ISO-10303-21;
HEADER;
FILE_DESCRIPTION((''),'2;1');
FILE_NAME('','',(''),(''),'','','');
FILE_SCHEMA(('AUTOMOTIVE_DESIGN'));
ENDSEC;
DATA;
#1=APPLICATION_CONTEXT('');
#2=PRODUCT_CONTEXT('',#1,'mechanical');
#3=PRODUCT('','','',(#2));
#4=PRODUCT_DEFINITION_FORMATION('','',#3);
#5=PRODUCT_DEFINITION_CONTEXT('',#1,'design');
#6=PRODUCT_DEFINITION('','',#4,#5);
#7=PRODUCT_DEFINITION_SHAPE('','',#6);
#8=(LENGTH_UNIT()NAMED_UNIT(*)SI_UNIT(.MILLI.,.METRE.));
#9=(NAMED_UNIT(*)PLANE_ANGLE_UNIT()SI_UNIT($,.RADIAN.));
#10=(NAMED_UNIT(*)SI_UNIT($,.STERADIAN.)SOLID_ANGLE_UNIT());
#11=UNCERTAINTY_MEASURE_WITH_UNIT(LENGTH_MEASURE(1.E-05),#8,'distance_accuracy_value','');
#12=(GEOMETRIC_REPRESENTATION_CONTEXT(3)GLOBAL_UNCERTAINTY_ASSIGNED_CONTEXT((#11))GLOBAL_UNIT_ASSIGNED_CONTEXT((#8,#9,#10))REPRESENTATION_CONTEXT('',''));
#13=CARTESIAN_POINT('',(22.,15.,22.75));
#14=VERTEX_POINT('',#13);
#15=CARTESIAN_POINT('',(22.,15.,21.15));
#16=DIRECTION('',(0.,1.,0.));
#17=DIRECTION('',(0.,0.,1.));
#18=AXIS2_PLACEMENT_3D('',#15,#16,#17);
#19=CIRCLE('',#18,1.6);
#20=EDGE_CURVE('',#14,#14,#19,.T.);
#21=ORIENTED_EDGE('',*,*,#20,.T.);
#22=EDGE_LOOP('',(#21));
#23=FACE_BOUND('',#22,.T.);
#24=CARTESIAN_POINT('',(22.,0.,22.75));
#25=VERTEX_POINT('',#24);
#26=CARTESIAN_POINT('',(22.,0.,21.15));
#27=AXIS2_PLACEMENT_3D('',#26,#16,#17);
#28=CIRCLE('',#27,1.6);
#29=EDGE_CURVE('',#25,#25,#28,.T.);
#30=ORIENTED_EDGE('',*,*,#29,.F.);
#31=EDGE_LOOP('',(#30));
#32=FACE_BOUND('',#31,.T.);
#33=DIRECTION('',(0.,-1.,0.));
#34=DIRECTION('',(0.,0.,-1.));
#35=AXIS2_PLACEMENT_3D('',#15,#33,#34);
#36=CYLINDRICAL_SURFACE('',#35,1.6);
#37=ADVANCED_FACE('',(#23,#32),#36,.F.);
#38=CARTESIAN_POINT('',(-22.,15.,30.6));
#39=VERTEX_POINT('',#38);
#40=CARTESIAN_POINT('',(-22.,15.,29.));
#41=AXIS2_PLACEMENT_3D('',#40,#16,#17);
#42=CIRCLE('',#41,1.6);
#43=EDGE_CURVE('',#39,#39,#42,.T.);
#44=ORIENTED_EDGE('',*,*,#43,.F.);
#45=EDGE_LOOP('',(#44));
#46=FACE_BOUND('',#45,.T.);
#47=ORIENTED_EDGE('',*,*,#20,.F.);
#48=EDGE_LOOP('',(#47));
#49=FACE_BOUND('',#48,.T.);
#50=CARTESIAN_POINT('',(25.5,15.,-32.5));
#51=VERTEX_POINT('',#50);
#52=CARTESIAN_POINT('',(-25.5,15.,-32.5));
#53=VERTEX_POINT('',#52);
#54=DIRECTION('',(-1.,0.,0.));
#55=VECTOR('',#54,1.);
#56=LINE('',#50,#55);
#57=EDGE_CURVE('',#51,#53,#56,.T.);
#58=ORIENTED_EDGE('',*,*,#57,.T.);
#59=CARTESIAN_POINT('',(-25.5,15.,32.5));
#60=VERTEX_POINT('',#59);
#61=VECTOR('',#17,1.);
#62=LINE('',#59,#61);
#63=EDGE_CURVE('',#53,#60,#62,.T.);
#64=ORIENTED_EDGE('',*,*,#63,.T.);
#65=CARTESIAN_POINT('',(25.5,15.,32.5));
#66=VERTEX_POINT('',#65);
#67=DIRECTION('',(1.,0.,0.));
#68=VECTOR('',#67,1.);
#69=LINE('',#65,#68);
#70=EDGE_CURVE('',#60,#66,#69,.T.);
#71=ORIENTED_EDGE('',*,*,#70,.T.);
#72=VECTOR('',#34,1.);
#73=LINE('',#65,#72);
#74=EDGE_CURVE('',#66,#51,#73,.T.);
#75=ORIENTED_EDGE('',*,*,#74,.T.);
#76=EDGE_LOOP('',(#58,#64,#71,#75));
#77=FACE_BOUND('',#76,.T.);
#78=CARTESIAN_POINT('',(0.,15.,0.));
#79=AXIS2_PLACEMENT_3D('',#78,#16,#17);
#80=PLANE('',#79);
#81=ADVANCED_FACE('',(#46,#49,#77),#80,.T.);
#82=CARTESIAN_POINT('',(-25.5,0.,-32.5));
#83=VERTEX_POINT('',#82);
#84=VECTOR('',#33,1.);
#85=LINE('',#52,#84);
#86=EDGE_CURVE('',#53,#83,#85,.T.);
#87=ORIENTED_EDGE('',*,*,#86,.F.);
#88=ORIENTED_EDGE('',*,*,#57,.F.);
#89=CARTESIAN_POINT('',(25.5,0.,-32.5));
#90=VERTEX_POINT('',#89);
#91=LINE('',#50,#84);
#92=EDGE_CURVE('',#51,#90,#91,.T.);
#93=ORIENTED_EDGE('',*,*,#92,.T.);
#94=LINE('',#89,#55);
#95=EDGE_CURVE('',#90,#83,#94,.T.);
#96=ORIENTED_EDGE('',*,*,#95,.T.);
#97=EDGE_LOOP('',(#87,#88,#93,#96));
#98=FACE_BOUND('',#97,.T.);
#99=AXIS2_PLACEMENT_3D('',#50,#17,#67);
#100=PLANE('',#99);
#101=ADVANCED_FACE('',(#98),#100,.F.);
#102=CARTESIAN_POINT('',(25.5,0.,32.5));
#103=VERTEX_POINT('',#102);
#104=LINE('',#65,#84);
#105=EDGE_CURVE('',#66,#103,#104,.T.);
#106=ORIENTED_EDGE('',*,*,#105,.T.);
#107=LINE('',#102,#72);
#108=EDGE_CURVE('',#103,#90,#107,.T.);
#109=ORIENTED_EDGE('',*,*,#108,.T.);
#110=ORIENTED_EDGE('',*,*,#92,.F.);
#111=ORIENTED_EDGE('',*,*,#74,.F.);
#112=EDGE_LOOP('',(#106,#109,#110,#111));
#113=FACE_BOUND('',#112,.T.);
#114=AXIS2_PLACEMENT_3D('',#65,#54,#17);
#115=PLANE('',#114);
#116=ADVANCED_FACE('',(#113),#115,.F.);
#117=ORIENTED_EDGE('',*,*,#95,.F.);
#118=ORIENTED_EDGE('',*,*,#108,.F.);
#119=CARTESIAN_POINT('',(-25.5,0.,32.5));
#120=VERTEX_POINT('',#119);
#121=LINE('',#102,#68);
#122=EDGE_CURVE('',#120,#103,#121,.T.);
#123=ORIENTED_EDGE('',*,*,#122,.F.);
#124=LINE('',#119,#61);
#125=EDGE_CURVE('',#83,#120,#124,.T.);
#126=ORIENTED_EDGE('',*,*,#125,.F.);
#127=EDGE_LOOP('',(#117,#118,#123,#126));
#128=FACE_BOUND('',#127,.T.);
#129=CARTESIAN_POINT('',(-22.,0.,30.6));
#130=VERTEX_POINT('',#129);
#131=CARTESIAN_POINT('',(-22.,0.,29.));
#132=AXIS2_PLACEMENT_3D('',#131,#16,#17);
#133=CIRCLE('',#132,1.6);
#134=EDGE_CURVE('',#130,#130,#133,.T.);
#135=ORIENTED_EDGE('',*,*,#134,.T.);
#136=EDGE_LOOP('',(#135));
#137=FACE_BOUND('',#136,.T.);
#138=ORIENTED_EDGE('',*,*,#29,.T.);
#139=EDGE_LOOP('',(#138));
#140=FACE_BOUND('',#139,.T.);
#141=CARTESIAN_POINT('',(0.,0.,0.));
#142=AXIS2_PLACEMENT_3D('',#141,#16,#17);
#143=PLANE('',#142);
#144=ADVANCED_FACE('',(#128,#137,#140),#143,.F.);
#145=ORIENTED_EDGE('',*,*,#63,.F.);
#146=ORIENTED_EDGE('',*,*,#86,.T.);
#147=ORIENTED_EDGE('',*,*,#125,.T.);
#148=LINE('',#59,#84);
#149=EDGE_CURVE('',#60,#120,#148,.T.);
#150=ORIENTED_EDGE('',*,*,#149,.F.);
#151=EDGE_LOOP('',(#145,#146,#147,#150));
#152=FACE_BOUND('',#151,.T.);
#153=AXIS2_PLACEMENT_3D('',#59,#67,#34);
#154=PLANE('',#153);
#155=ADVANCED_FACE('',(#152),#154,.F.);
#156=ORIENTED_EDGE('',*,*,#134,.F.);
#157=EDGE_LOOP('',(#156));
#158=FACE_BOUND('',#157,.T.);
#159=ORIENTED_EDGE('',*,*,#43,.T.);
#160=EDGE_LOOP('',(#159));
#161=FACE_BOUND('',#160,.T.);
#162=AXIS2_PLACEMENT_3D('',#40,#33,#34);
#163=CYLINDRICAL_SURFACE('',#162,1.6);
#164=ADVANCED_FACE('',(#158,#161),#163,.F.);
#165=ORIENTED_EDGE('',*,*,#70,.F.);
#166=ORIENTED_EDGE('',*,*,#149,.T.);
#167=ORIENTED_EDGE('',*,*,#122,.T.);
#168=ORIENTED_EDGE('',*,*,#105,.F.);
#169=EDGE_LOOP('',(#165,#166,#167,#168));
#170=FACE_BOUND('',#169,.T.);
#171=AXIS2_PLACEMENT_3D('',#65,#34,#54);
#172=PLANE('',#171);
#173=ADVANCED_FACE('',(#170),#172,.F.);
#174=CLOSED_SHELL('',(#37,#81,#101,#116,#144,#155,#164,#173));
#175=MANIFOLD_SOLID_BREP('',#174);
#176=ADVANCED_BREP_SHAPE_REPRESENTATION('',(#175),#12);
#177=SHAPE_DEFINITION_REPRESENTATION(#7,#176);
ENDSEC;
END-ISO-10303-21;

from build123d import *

# Parameters (mm, degrees)
SKETCH1_W           = 51
SKETCH1_H           = 65
SKETCH1_R           = 1.6
BOSS_EXTRUDE1_DEPTH = 15


with BuildPart() as part:
    # Sketch1 → Boss-Extrude1 (new body)
    with BuildSketch(Plane(origin=(0, 0, 0), x_dir=(1, 0, 0), z_dir=(0, 1, 0))):
        Rectangle(SKETCH1_W, SKETCH1_H)
        with Locations((-22, -29)):
            Circle(SKETCH1_R, mode=Mode.SUBTRACT)
        with Locations((22, -21.15)):
            Circle(SKETCH1_R, mode=Mode.SUBTRACT)
    extrude(amount=BOSS_EXTRUDE1_DEPTH)


solid = part.part
